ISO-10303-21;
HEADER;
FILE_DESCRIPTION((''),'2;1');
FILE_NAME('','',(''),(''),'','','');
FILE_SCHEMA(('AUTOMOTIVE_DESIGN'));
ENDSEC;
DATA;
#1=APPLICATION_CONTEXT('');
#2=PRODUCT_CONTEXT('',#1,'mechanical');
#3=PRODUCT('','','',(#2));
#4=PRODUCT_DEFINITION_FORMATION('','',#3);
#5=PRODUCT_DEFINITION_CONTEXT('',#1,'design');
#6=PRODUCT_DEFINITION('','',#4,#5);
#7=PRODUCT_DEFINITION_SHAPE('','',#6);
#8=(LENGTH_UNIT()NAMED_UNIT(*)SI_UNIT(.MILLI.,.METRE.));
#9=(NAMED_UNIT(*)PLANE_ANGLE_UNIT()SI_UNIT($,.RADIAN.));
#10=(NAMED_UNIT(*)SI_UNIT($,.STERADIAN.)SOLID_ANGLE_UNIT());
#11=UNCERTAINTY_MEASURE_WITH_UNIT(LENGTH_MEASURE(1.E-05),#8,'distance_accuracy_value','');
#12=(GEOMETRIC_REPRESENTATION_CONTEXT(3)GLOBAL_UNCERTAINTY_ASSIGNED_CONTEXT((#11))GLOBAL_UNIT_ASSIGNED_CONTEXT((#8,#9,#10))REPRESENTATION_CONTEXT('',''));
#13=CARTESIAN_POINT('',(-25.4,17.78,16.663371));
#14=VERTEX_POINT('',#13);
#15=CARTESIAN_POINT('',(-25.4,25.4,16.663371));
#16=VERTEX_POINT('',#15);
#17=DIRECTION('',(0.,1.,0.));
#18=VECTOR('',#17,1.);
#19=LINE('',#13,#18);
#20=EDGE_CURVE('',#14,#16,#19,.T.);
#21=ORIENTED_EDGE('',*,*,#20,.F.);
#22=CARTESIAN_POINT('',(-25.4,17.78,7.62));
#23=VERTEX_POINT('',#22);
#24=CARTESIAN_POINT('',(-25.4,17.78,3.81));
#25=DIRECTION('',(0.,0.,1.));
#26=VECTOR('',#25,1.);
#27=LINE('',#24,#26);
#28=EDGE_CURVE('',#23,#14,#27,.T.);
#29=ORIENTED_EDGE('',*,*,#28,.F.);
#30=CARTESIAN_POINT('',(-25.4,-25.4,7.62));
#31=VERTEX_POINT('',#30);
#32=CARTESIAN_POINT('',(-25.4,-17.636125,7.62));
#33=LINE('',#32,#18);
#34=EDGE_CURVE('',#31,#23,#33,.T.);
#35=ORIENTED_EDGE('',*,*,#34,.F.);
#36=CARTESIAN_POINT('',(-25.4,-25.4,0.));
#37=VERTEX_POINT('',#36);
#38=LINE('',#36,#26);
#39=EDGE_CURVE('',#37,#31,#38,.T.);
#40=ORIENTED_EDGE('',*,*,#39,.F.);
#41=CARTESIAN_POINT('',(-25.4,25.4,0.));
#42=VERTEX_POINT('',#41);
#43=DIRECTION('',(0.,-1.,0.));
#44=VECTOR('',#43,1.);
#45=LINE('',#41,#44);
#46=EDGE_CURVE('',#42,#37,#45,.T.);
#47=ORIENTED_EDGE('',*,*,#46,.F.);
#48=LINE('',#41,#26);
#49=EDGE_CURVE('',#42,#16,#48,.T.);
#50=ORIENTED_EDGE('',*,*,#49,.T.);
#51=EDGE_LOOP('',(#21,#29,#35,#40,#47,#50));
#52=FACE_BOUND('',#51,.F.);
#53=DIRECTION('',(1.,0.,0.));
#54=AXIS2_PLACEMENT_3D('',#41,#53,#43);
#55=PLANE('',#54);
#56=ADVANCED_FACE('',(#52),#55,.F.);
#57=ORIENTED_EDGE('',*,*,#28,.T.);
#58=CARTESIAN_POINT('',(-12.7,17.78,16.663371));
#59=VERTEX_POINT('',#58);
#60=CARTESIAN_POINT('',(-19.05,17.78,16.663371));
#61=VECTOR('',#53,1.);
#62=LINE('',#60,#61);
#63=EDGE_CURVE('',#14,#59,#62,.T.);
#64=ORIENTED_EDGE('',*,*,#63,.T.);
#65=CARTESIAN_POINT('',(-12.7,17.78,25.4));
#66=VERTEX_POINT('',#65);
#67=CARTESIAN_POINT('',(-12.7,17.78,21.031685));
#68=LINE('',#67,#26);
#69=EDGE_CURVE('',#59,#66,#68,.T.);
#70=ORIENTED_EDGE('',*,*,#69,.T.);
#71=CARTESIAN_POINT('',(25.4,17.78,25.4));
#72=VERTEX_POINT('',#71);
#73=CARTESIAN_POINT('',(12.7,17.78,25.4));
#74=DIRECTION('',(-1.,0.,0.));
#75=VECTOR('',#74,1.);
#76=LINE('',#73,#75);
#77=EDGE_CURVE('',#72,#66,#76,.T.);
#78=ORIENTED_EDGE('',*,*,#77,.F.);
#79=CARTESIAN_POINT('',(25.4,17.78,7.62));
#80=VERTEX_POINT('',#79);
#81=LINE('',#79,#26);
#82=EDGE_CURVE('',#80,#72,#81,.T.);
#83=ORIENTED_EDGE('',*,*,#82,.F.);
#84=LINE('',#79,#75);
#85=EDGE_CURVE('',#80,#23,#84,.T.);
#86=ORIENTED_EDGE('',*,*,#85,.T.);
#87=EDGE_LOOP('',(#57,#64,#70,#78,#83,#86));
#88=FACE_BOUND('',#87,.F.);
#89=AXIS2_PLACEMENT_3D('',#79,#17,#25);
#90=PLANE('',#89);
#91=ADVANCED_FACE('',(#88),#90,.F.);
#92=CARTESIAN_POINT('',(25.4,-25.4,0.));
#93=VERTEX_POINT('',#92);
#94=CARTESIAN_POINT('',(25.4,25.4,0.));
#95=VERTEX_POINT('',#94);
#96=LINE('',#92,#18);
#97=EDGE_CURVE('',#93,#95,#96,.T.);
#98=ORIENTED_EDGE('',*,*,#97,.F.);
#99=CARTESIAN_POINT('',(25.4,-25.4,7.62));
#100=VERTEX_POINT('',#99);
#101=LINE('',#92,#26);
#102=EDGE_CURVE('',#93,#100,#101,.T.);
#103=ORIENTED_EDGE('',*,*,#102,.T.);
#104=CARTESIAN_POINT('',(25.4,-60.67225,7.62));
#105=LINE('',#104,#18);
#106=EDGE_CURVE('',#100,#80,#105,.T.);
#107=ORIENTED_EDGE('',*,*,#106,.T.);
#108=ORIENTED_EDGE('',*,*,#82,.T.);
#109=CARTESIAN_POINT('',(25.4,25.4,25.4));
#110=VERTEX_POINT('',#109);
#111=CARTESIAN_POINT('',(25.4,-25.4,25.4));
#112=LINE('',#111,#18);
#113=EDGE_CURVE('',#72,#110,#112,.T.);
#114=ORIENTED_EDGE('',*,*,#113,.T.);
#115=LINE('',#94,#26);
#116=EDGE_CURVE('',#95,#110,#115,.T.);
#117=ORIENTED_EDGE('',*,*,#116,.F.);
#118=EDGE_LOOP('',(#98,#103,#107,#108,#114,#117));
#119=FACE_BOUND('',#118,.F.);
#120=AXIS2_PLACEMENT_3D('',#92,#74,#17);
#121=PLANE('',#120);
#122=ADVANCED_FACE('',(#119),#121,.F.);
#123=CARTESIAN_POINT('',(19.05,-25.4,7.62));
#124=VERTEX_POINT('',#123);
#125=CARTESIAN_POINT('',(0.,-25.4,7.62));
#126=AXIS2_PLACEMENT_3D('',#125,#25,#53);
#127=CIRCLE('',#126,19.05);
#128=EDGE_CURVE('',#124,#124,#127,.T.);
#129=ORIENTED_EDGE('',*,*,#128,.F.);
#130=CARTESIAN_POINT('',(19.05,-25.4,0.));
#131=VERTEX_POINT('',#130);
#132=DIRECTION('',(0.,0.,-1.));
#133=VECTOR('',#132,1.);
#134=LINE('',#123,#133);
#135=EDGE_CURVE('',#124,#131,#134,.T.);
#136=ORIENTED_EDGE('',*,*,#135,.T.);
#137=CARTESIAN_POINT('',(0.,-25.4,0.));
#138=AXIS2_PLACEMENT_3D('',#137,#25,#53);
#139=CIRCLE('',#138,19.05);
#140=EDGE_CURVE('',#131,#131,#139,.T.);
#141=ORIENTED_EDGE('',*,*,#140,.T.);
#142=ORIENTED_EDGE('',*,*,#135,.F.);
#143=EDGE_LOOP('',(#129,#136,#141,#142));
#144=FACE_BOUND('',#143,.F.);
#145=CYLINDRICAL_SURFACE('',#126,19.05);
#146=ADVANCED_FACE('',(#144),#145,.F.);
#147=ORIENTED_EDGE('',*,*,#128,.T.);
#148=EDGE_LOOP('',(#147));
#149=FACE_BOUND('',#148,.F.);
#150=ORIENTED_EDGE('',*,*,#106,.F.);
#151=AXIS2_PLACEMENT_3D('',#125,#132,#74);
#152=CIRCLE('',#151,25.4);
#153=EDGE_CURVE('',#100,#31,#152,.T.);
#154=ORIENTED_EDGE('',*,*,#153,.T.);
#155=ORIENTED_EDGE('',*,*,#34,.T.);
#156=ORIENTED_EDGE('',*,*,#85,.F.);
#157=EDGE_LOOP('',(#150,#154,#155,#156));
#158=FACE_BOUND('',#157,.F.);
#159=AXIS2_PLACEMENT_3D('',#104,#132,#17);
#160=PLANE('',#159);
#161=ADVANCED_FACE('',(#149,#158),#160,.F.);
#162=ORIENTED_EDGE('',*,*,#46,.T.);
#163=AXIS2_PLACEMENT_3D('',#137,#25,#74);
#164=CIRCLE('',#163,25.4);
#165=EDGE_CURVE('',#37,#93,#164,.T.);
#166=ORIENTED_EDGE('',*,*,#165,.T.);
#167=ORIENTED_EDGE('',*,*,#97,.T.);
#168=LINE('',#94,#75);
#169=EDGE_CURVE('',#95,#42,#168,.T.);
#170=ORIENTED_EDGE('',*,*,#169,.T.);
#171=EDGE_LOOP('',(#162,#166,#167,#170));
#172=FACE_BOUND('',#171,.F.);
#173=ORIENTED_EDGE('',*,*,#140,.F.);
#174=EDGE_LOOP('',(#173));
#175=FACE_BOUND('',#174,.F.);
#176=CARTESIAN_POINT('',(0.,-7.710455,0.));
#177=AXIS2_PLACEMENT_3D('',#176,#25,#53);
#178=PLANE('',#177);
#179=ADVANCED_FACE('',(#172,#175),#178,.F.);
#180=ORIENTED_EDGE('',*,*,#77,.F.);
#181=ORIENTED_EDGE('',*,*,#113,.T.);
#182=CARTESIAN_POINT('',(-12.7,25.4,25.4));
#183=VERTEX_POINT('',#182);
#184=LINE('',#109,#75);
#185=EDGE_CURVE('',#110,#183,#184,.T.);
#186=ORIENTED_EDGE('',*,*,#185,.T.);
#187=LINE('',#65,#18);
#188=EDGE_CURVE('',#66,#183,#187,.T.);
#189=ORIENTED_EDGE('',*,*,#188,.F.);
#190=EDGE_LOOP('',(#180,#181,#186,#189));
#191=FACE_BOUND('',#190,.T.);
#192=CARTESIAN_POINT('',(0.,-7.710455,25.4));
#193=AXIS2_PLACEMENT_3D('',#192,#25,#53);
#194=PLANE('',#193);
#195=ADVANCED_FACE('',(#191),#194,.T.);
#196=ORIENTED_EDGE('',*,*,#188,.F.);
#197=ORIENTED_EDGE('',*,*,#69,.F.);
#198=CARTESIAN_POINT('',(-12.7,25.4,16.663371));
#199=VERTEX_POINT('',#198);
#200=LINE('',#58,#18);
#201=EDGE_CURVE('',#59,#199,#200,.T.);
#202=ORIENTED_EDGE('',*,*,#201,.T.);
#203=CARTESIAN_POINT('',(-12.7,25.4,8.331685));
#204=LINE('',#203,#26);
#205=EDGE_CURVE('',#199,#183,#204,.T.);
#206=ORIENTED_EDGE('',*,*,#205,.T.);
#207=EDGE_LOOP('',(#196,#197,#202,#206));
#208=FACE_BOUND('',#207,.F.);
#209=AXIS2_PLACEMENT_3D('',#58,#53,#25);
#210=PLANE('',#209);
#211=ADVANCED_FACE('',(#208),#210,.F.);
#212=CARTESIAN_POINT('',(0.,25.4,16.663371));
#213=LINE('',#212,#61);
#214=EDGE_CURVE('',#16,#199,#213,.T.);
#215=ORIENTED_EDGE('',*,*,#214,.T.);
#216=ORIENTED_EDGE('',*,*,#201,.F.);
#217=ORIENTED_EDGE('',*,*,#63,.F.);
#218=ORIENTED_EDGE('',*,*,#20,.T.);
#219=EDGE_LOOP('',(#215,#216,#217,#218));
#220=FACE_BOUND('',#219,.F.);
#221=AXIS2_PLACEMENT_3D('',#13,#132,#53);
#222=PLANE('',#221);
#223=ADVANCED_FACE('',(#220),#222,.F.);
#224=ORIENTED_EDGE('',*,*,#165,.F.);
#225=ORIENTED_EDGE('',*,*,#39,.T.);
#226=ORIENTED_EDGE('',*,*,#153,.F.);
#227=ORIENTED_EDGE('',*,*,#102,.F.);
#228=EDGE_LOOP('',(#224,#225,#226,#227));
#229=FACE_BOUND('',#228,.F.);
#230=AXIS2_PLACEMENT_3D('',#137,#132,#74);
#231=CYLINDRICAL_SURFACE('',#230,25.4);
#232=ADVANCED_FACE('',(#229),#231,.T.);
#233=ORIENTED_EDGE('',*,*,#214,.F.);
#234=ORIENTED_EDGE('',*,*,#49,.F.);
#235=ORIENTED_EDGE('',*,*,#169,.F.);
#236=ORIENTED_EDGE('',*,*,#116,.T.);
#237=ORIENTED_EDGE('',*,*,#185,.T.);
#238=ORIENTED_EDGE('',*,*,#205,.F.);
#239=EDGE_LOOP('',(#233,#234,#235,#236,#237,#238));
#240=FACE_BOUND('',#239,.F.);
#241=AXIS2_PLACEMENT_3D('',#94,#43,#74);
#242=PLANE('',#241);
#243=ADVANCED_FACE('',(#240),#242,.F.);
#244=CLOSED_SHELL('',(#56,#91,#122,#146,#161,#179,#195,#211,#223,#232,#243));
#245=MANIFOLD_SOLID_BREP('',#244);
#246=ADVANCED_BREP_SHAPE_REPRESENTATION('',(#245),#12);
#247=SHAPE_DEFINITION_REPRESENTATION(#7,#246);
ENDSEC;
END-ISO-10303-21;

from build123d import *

# Parameters (mm, degrees)
F1_DEPTH = 25.4
F2_W     = 43.18
F2_H     = 17.78
F3_DEPTH = 50.801
F4_W     = 12.7
F4_H     = 8.7366292986
F5_DEPTH = 7.621
F6_R     = 19.05
F7_DEPTH = 7.621


with BuildPart() as f1:
    # F0 (on Top) → F1 (new body)
    with BuildSketch(Plane.XY):
        with BuildLine():
            Line((25.4, 25.4), (-25.4, 25.4))
            Line((-25.4, 25.4), (-25.4, -25.4))
            ThreePointArc((-25.4, -25.4), (0, -50.8), (25.4, -25.4))
            Line((25.4, -25.4), (25.4, 25.4))
        make_face()
    extrude(amount=F1_DEPTH)

    # F2 (on face) → F3 (cut, through all)
    with BuildSketch(Plane.YZ.offset(25.4)):
        with Locations((-3.81, 16.51)):
            Rectangle(F2_W, F2_H)
        Polygon((17.78, 33.02), (-60.672249645, 33.02), (-60.672249645, 7.62), (-25.4, 7.62), (-25.4, 25.4), (17.78, 25.4), align=None)
    extrude(amount=-F3_DEPTH, mode=Mode.SUBTRACT)

    # F4 (on face) → F5 (cut, through all)
    with BuildSketch(Plane.XZ.offset(-17.78)):
        with Locations((-19.05, 21.0316853507)):
            Rectangle(F4_W, F4_H)
    extrude(amount=-F5_DEPTH, mode=Mode.SUBTRACT)

    # F6 (on face) → F7 (cut, through all)
    with BuildSketch(Plane.XY.offset(7.62)):
        with Locations((0, -25.4)):
            Circle(F6_R)
    extrude(amount=-F7_DEPTH, mode=Mode.SUBTRACT)


solid = f1.part
